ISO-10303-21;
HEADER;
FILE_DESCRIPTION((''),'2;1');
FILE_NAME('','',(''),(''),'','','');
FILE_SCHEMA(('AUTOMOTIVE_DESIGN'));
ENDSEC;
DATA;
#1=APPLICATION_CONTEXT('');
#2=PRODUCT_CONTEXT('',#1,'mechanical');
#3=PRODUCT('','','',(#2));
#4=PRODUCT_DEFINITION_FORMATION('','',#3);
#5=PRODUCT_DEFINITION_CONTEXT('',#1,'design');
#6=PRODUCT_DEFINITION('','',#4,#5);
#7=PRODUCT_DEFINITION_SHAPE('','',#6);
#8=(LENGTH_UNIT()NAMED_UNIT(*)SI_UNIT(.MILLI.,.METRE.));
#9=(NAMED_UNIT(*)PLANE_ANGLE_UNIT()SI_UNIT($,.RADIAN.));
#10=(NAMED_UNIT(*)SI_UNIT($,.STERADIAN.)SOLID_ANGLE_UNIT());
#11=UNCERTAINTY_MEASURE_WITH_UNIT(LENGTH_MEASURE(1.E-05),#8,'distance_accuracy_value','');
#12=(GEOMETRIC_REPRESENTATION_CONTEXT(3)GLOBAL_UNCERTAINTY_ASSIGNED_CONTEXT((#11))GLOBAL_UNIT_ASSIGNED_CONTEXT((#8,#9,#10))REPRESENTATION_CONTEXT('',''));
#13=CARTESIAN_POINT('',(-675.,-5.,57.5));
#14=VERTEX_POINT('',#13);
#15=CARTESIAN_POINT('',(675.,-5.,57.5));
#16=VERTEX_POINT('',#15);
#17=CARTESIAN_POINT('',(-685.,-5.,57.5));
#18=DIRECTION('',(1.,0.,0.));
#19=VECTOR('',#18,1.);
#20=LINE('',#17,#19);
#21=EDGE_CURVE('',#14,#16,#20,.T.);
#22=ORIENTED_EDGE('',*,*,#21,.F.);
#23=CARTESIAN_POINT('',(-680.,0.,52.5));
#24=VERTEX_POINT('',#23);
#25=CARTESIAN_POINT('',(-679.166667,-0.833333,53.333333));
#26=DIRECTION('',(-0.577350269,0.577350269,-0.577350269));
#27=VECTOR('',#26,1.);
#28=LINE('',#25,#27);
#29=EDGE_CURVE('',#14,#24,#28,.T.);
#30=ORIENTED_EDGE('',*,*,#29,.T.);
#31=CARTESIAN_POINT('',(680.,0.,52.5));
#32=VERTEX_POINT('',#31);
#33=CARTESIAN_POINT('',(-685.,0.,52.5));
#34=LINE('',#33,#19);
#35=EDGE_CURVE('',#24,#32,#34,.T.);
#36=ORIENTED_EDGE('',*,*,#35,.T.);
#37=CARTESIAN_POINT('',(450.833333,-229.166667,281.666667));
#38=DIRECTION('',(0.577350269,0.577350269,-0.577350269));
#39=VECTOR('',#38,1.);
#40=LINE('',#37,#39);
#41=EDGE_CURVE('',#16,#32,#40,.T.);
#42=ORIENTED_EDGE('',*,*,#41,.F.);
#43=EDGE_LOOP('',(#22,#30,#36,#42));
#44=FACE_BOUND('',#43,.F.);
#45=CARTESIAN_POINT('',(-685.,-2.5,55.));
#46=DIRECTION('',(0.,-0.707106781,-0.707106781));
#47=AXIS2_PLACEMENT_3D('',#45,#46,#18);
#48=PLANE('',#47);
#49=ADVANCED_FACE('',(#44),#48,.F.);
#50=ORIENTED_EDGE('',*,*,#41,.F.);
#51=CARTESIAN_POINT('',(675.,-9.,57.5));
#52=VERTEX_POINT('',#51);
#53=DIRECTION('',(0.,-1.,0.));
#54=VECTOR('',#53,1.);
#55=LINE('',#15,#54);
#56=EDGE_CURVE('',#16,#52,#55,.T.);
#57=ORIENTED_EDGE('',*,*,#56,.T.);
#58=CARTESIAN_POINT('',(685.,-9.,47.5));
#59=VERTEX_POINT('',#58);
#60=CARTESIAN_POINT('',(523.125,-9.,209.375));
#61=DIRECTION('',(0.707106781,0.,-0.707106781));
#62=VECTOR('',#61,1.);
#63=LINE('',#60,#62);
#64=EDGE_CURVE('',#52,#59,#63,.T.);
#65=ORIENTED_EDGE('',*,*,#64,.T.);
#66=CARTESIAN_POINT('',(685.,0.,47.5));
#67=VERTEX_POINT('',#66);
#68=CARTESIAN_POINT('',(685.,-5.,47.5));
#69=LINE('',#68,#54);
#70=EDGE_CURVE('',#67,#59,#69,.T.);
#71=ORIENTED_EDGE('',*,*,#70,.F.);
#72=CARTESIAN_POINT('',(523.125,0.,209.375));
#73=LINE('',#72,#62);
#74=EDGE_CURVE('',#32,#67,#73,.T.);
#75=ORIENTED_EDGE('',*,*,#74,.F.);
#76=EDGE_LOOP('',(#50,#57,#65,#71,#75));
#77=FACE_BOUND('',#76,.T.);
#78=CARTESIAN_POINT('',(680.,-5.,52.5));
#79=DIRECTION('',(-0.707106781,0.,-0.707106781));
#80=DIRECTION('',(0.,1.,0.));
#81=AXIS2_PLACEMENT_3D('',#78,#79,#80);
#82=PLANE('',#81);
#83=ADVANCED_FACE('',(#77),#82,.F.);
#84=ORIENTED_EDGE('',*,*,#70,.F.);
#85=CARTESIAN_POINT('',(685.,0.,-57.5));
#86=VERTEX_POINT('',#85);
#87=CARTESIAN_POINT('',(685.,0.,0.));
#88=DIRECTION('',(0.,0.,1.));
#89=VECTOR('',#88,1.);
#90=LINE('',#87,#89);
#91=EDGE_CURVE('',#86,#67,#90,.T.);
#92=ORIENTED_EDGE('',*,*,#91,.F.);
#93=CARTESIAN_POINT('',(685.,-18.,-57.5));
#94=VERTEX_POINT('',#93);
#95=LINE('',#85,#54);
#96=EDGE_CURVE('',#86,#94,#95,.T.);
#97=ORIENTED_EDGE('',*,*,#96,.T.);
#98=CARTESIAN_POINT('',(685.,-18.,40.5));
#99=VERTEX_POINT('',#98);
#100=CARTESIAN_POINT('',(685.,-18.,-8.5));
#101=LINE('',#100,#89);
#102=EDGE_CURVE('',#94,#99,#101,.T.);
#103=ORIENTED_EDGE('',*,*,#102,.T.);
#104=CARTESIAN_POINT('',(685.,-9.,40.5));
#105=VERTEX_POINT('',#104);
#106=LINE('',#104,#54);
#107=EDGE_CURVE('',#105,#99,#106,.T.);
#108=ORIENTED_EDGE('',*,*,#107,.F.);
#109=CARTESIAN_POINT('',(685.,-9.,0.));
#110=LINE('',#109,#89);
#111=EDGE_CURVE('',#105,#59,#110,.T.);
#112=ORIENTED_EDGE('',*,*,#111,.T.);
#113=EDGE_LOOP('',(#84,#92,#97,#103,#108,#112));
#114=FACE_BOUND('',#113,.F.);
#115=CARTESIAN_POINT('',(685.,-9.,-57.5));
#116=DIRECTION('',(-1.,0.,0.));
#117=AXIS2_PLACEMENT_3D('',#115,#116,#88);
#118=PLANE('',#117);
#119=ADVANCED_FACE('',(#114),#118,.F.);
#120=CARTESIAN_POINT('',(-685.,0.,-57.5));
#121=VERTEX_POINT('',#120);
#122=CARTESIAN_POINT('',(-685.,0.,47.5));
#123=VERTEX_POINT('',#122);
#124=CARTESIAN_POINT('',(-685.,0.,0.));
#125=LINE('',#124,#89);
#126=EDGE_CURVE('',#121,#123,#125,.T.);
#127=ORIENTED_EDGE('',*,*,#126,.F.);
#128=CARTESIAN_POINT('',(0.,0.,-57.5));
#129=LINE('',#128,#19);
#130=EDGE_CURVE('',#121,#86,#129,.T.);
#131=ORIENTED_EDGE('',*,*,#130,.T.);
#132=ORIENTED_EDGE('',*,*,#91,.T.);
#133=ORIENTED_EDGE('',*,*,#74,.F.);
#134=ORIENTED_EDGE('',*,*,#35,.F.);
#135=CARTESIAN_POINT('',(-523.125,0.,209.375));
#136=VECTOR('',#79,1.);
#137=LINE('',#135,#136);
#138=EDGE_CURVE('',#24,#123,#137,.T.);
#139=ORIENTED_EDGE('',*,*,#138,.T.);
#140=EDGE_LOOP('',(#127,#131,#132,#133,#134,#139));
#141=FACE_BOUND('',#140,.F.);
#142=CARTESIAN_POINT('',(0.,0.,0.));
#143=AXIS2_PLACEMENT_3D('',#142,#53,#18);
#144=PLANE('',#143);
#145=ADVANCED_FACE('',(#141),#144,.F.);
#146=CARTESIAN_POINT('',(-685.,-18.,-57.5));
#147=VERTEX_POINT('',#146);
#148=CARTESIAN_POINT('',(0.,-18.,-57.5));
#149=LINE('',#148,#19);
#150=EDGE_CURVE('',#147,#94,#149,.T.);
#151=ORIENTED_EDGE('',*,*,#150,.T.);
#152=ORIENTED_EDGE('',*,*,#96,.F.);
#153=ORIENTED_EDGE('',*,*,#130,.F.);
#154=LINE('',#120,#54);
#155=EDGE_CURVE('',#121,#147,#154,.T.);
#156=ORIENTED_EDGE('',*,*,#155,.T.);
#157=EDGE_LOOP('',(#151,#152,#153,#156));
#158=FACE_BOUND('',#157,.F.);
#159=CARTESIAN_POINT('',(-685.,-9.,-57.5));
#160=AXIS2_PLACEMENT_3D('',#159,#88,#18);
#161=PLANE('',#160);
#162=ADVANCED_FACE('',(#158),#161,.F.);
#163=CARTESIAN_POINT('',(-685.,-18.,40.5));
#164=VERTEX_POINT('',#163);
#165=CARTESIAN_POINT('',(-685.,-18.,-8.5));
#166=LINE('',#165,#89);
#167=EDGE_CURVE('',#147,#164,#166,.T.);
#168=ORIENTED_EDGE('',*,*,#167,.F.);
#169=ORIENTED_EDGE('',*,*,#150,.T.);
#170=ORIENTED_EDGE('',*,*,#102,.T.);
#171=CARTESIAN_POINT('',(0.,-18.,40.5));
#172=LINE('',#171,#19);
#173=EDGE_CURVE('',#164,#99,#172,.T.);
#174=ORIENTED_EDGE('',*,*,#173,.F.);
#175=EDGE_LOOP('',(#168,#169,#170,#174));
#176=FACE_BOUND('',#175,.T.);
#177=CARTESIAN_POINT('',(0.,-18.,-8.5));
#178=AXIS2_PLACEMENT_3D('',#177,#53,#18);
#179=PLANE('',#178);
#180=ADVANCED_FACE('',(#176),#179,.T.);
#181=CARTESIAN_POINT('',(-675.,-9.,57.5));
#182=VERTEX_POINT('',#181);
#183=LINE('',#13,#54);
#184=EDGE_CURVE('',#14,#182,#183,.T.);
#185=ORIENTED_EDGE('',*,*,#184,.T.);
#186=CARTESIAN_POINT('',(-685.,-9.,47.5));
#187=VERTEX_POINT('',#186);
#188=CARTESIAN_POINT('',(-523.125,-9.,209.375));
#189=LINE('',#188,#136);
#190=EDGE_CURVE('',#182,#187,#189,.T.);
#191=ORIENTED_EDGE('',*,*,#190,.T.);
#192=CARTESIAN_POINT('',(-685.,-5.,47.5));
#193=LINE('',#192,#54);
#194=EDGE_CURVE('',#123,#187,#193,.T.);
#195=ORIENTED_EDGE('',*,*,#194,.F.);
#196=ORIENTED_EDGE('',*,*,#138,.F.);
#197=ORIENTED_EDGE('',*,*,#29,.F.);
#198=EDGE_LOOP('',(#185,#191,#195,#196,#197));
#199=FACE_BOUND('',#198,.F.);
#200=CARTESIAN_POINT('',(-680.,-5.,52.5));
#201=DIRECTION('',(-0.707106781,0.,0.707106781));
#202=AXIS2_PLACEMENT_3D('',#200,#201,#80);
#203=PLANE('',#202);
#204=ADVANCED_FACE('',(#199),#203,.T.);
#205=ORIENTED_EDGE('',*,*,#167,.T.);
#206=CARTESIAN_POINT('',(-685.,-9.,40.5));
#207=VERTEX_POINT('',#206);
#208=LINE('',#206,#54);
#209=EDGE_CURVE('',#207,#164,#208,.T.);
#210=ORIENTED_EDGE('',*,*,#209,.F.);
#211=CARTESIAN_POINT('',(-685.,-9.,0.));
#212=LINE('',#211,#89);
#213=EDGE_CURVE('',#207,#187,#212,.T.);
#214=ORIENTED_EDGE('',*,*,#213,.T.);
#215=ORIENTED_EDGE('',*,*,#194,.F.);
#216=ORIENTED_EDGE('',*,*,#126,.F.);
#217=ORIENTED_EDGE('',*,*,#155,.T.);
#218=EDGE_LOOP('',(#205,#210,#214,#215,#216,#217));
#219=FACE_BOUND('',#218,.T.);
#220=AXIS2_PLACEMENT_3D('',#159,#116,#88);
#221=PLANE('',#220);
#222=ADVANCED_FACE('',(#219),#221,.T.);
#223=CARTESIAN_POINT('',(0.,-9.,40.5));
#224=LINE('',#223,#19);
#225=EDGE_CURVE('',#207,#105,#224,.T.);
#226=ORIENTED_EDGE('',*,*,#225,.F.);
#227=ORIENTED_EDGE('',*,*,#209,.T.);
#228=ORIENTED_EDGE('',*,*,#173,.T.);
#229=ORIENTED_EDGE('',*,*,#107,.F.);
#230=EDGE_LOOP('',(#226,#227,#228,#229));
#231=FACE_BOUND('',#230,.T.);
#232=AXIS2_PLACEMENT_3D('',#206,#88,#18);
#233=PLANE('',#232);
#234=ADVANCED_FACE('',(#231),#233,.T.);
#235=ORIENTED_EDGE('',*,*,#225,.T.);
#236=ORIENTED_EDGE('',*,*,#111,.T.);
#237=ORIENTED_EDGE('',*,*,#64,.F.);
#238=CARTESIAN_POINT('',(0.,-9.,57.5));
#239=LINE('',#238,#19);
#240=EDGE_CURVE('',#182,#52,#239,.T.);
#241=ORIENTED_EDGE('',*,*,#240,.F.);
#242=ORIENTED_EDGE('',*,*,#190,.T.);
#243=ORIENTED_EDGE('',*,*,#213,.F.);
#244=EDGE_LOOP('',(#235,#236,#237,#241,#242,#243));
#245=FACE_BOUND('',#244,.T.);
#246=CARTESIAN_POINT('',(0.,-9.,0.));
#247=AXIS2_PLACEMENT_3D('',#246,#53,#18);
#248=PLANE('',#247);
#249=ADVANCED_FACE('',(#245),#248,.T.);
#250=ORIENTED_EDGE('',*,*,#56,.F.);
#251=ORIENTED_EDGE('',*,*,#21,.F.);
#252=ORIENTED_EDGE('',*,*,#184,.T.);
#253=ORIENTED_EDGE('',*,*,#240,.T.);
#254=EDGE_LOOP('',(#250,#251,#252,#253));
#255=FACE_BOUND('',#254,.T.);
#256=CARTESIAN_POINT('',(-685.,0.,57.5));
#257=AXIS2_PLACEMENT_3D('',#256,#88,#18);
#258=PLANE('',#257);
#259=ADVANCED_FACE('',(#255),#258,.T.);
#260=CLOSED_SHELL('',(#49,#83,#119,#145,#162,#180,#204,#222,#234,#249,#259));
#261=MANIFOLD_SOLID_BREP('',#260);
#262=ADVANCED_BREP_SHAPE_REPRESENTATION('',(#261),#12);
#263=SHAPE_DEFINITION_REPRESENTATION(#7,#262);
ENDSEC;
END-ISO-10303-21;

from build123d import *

# Parameters (mm, degrees)
F0_W     = 1370
F0_H     = 115
F1_DEPTH = 9
F2_W     = 1370
F2_H     = 98
F3_DEPTH = 9
F4_SIZE  = 5
F5_SIZE  = 10
F6_SIZE  = 10


with BuildPart() as f1:
    # F0 (on Front) → F1 (new body)
    with BuildSketch(Plane.XZ):
        Rectangle(F0_W, F0_H)
    extrude(amount=F1_DEPTH)

    # F2 (on face) → F3 (join)
    with BuildSketch(Plane.XZ.offset(9)):
        with Locations((0, -8.5)):
            Rectangle(F2_W, F2_H)
    extrude(amount=F3_DEPTH)

    # F4
    f4_edges = [f1.edges().sort_by_distance(p)[0] for p in [
        (0, 0, 57.5),
    ]]
    chamfer(f4_edges, length=F4_SIZE)

    # F5
    f5_edges = [f1.edges().sort_by_distance(p)[0] for p in [
        (685, -7, 57.5),
    ]]
    chamfer(f5_edges, length=F5_SIZE)

    # F6
    f6_edges = [f1.edges().sort_by_distance(p)[0] for p in [
        (-685, -7, 57.5),
    ]]
    chamfer(f6_edges, length=F6_SIZE)


solid = f1.part
